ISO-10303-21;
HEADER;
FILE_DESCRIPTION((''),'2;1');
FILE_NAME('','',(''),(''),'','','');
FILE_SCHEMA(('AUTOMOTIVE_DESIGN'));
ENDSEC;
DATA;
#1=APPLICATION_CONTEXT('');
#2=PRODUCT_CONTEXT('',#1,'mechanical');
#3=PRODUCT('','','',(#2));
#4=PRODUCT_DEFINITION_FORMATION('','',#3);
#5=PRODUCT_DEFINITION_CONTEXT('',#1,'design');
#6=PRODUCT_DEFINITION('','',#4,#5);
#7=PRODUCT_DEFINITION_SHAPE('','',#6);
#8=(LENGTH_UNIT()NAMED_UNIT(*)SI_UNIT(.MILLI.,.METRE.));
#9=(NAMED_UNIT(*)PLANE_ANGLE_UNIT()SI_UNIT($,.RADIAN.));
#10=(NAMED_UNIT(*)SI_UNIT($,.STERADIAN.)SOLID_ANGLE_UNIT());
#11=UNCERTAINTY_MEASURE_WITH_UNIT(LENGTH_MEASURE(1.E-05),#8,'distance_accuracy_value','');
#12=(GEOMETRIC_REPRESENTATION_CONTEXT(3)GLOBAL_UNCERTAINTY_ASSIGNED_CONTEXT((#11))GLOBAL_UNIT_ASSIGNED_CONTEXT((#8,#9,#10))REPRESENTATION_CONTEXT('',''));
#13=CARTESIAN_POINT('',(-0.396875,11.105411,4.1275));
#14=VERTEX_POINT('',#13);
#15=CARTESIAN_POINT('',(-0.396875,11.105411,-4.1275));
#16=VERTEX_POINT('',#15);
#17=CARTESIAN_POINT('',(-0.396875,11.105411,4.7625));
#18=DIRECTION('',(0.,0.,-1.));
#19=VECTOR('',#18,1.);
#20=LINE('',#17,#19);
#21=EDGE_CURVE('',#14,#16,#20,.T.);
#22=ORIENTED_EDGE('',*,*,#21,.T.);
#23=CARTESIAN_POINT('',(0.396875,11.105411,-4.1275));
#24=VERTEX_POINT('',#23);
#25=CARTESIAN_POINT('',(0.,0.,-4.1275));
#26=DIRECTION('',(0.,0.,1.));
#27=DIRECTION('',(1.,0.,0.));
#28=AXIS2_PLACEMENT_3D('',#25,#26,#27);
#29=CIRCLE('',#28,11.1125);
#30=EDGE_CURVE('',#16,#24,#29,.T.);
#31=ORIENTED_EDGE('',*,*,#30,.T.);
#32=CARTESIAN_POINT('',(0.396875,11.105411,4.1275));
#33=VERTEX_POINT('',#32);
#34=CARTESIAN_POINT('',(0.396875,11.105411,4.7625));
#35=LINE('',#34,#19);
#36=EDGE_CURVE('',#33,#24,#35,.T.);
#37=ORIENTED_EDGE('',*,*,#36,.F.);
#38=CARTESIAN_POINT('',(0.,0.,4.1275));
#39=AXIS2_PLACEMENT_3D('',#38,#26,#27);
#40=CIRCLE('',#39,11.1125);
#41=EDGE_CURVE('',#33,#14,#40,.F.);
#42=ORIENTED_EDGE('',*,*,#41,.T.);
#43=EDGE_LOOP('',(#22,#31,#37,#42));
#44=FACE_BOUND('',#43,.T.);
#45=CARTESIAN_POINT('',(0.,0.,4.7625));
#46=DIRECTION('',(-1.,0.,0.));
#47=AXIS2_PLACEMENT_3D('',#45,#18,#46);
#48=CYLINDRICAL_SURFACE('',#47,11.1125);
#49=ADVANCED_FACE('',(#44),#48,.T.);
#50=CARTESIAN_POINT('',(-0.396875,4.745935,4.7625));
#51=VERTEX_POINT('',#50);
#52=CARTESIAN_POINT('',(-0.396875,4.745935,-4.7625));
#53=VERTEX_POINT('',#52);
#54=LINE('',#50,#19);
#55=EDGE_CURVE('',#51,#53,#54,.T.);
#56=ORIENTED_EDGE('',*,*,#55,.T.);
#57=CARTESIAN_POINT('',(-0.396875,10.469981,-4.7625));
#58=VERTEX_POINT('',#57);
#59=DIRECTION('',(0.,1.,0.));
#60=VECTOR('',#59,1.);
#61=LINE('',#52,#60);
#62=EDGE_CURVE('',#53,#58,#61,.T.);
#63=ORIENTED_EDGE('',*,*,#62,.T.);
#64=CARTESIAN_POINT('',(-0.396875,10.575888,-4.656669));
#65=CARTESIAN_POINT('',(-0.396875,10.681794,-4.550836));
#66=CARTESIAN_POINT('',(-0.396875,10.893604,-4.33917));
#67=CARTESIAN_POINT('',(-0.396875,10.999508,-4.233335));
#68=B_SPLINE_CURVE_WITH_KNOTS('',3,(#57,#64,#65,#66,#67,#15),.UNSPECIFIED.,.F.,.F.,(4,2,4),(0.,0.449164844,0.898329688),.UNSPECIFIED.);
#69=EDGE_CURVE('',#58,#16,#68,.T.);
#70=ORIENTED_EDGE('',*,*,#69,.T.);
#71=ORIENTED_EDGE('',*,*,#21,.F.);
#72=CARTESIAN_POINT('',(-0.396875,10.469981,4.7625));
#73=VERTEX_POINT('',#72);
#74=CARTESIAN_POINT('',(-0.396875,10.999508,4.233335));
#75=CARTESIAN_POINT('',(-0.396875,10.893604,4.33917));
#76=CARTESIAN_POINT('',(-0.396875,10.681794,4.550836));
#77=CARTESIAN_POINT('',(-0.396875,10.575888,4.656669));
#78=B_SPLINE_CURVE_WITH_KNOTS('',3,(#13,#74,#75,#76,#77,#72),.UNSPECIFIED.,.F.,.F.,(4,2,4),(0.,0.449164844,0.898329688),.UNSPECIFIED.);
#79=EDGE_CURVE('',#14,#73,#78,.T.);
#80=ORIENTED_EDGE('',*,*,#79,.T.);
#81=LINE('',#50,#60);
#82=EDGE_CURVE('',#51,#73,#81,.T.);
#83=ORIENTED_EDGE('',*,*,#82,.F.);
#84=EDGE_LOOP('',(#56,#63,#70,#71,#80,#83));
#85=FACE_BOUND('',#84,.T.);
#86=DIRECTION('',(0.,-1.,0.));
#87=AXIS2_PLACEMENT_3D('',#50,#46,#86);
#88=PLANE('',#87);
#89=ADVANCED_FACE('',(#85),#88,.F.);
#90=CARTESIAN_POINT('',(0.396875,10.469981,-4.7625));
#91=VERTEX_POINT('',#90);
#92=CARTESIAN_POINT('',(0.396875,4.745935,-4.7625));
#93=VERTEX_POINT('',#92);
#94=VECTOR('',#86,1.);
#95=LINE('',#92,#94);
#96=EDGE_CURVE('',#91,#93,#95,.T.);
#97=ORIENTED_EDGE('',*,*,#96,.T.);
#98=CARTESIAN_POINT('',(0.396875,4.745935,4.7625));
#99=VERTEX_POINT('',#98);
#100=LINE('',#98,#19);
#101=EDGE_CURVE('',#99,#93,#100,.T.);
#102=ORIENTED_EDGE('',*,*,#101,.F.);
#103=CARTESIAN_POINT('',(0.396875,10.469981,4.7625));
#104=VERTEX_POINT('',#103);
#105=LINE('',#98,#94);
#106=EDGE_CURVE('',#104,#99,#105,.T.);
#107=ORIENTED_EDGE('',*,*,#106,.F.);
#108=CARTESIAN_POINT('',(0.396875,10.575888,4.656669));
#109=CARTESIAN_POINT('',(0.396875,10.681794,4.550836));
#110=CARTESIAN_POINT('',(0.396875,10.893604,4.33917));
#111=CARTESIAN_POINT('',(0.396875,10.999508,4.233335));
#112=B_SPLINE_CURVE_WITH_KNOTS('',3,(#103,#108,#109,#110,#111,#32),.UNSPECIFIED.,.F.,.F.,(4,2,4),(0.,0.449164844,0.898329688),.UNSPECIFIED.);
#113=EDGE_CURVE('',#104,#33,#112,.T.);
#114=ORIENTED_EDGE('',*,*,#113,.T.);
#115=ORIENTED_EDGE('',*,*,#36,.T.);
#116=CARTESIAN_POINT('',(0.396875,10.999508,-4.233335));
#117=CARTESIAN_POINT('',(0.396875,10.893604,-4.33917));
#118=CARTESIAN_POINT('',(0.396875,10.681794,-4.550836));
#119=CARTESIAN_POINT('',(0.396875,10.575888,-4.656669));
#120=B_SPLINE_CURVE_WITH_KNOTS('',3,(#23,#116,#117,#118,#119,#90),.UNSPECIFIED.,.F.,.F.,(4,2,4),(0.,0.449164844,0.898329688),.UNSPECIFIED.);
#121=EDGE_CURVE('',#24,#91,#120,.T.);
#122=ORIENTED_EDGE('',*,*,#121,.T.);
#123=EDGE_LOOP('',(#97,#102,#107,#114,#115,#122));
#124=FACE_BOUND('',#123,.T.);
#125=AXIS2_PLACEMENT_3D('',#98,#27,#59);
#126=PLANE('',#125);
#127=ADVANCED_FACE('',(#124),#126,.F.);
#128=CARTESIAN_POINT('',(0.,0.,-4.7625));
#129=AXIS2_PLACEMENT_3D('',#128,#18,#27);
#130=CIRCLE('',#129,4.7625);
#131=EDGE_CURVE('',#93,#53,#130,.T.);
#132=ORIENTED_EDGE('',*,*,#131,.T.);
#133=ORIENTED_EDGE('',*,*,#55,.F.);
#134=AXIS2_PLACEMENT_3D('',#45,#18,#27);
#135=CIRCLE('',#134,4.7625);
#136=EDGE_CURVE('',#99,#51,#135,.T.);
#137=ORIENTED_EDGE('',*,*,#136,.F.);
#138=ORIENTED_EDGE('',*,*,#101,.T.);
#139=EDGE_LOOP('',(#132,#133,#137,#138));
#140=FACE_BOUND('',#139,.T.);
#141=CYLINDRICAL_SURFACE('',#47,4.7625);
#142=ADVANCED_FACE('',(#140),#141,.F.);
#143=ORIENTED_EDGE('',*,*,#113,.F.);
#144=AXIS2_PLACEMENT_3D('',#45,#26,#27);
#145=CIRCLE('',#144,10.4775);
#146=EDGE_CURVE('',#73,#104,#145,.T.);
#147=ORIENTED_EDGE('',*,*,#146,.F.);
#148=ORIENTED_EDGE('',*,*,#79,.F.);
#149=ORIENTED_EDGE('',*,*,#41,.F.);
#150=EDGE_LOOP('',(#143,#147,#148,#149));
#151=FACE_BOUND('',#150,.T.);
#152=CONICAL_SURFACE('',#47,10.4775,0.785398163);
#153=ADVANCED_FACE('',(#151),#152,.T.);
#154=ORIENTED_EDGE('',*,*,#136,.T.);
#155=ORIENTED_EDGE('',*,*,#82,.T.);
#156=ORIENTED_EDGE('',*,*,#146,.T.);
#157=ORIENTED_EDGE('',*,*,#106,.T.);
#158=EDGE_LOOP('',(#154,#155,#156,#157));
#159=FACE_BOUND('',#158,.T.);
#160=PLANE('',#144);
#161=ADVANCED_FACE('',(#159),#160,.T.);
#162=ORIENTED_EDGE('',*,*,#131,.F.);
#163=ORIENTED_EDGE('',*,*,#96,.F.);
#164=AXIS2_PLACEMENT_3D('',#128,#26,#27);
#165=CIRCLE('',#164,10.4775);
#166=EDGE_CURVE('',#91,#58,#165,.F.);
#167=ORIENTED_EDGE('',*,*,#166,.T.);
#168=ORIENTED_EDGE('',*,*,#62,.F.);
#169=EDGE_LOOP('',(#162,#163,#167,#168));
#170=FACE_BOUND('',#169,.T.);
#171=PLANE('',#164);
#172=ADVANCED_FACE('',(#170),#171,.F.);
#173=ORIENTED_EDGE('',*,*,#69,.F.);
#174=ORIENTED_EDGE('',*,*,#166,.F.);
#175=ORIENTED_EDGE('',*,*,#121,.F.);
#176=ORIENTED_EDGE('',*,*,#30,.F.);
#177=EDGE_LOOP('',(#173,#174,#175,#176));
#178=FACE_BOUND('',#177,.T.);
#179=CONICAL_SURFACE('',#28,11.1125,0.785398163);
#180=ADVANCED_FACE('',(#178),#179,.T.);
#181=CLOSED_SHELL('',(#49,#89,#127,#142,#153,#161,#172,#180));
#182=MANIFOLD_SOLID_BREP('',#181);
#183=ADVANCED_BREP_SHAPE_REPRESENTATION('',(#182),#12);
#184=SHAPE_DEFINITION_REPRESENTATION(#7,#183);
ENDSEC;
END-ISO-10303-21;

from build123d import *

# Parameters (mm, degrees)
EXTRUSION_DEPTH = 4.7625
CHAMFER1_SIZE   = 0.635


with BuildPart() as part:
    # profile → extrusion (new body, symmetric)
    with BuildSketch(Plane.XY):
        with BuildLine():
            Line((-0.396875, 4.745934732), (-0.396875, 11.105410685))
            ThreePointArc((-0.396875, 11.105410685), (0, -11.1125), (0.396875, 11.105410685))
            Line((0.396875, 11.105410685), (0.396875, 4.745934732))
            ThreePointArc((0.396875, 4.745934732), (0, -4.7625), (-0.396875, 4.745934732))
        make_face()
    extrude(amount=EXTRUSION_DEPTH, both=True)

    # Chamfer1
    chamfer1_edges = [part.edges().sort_by_distance(p)[0] for p in [
        (0, -11.1125, 4.7625),
        (0, -11.1125, -4.7625),
    ]]
    chamfer(chamfer1_edges, length=CHAMFER1_SIZE)


solid = part.part
